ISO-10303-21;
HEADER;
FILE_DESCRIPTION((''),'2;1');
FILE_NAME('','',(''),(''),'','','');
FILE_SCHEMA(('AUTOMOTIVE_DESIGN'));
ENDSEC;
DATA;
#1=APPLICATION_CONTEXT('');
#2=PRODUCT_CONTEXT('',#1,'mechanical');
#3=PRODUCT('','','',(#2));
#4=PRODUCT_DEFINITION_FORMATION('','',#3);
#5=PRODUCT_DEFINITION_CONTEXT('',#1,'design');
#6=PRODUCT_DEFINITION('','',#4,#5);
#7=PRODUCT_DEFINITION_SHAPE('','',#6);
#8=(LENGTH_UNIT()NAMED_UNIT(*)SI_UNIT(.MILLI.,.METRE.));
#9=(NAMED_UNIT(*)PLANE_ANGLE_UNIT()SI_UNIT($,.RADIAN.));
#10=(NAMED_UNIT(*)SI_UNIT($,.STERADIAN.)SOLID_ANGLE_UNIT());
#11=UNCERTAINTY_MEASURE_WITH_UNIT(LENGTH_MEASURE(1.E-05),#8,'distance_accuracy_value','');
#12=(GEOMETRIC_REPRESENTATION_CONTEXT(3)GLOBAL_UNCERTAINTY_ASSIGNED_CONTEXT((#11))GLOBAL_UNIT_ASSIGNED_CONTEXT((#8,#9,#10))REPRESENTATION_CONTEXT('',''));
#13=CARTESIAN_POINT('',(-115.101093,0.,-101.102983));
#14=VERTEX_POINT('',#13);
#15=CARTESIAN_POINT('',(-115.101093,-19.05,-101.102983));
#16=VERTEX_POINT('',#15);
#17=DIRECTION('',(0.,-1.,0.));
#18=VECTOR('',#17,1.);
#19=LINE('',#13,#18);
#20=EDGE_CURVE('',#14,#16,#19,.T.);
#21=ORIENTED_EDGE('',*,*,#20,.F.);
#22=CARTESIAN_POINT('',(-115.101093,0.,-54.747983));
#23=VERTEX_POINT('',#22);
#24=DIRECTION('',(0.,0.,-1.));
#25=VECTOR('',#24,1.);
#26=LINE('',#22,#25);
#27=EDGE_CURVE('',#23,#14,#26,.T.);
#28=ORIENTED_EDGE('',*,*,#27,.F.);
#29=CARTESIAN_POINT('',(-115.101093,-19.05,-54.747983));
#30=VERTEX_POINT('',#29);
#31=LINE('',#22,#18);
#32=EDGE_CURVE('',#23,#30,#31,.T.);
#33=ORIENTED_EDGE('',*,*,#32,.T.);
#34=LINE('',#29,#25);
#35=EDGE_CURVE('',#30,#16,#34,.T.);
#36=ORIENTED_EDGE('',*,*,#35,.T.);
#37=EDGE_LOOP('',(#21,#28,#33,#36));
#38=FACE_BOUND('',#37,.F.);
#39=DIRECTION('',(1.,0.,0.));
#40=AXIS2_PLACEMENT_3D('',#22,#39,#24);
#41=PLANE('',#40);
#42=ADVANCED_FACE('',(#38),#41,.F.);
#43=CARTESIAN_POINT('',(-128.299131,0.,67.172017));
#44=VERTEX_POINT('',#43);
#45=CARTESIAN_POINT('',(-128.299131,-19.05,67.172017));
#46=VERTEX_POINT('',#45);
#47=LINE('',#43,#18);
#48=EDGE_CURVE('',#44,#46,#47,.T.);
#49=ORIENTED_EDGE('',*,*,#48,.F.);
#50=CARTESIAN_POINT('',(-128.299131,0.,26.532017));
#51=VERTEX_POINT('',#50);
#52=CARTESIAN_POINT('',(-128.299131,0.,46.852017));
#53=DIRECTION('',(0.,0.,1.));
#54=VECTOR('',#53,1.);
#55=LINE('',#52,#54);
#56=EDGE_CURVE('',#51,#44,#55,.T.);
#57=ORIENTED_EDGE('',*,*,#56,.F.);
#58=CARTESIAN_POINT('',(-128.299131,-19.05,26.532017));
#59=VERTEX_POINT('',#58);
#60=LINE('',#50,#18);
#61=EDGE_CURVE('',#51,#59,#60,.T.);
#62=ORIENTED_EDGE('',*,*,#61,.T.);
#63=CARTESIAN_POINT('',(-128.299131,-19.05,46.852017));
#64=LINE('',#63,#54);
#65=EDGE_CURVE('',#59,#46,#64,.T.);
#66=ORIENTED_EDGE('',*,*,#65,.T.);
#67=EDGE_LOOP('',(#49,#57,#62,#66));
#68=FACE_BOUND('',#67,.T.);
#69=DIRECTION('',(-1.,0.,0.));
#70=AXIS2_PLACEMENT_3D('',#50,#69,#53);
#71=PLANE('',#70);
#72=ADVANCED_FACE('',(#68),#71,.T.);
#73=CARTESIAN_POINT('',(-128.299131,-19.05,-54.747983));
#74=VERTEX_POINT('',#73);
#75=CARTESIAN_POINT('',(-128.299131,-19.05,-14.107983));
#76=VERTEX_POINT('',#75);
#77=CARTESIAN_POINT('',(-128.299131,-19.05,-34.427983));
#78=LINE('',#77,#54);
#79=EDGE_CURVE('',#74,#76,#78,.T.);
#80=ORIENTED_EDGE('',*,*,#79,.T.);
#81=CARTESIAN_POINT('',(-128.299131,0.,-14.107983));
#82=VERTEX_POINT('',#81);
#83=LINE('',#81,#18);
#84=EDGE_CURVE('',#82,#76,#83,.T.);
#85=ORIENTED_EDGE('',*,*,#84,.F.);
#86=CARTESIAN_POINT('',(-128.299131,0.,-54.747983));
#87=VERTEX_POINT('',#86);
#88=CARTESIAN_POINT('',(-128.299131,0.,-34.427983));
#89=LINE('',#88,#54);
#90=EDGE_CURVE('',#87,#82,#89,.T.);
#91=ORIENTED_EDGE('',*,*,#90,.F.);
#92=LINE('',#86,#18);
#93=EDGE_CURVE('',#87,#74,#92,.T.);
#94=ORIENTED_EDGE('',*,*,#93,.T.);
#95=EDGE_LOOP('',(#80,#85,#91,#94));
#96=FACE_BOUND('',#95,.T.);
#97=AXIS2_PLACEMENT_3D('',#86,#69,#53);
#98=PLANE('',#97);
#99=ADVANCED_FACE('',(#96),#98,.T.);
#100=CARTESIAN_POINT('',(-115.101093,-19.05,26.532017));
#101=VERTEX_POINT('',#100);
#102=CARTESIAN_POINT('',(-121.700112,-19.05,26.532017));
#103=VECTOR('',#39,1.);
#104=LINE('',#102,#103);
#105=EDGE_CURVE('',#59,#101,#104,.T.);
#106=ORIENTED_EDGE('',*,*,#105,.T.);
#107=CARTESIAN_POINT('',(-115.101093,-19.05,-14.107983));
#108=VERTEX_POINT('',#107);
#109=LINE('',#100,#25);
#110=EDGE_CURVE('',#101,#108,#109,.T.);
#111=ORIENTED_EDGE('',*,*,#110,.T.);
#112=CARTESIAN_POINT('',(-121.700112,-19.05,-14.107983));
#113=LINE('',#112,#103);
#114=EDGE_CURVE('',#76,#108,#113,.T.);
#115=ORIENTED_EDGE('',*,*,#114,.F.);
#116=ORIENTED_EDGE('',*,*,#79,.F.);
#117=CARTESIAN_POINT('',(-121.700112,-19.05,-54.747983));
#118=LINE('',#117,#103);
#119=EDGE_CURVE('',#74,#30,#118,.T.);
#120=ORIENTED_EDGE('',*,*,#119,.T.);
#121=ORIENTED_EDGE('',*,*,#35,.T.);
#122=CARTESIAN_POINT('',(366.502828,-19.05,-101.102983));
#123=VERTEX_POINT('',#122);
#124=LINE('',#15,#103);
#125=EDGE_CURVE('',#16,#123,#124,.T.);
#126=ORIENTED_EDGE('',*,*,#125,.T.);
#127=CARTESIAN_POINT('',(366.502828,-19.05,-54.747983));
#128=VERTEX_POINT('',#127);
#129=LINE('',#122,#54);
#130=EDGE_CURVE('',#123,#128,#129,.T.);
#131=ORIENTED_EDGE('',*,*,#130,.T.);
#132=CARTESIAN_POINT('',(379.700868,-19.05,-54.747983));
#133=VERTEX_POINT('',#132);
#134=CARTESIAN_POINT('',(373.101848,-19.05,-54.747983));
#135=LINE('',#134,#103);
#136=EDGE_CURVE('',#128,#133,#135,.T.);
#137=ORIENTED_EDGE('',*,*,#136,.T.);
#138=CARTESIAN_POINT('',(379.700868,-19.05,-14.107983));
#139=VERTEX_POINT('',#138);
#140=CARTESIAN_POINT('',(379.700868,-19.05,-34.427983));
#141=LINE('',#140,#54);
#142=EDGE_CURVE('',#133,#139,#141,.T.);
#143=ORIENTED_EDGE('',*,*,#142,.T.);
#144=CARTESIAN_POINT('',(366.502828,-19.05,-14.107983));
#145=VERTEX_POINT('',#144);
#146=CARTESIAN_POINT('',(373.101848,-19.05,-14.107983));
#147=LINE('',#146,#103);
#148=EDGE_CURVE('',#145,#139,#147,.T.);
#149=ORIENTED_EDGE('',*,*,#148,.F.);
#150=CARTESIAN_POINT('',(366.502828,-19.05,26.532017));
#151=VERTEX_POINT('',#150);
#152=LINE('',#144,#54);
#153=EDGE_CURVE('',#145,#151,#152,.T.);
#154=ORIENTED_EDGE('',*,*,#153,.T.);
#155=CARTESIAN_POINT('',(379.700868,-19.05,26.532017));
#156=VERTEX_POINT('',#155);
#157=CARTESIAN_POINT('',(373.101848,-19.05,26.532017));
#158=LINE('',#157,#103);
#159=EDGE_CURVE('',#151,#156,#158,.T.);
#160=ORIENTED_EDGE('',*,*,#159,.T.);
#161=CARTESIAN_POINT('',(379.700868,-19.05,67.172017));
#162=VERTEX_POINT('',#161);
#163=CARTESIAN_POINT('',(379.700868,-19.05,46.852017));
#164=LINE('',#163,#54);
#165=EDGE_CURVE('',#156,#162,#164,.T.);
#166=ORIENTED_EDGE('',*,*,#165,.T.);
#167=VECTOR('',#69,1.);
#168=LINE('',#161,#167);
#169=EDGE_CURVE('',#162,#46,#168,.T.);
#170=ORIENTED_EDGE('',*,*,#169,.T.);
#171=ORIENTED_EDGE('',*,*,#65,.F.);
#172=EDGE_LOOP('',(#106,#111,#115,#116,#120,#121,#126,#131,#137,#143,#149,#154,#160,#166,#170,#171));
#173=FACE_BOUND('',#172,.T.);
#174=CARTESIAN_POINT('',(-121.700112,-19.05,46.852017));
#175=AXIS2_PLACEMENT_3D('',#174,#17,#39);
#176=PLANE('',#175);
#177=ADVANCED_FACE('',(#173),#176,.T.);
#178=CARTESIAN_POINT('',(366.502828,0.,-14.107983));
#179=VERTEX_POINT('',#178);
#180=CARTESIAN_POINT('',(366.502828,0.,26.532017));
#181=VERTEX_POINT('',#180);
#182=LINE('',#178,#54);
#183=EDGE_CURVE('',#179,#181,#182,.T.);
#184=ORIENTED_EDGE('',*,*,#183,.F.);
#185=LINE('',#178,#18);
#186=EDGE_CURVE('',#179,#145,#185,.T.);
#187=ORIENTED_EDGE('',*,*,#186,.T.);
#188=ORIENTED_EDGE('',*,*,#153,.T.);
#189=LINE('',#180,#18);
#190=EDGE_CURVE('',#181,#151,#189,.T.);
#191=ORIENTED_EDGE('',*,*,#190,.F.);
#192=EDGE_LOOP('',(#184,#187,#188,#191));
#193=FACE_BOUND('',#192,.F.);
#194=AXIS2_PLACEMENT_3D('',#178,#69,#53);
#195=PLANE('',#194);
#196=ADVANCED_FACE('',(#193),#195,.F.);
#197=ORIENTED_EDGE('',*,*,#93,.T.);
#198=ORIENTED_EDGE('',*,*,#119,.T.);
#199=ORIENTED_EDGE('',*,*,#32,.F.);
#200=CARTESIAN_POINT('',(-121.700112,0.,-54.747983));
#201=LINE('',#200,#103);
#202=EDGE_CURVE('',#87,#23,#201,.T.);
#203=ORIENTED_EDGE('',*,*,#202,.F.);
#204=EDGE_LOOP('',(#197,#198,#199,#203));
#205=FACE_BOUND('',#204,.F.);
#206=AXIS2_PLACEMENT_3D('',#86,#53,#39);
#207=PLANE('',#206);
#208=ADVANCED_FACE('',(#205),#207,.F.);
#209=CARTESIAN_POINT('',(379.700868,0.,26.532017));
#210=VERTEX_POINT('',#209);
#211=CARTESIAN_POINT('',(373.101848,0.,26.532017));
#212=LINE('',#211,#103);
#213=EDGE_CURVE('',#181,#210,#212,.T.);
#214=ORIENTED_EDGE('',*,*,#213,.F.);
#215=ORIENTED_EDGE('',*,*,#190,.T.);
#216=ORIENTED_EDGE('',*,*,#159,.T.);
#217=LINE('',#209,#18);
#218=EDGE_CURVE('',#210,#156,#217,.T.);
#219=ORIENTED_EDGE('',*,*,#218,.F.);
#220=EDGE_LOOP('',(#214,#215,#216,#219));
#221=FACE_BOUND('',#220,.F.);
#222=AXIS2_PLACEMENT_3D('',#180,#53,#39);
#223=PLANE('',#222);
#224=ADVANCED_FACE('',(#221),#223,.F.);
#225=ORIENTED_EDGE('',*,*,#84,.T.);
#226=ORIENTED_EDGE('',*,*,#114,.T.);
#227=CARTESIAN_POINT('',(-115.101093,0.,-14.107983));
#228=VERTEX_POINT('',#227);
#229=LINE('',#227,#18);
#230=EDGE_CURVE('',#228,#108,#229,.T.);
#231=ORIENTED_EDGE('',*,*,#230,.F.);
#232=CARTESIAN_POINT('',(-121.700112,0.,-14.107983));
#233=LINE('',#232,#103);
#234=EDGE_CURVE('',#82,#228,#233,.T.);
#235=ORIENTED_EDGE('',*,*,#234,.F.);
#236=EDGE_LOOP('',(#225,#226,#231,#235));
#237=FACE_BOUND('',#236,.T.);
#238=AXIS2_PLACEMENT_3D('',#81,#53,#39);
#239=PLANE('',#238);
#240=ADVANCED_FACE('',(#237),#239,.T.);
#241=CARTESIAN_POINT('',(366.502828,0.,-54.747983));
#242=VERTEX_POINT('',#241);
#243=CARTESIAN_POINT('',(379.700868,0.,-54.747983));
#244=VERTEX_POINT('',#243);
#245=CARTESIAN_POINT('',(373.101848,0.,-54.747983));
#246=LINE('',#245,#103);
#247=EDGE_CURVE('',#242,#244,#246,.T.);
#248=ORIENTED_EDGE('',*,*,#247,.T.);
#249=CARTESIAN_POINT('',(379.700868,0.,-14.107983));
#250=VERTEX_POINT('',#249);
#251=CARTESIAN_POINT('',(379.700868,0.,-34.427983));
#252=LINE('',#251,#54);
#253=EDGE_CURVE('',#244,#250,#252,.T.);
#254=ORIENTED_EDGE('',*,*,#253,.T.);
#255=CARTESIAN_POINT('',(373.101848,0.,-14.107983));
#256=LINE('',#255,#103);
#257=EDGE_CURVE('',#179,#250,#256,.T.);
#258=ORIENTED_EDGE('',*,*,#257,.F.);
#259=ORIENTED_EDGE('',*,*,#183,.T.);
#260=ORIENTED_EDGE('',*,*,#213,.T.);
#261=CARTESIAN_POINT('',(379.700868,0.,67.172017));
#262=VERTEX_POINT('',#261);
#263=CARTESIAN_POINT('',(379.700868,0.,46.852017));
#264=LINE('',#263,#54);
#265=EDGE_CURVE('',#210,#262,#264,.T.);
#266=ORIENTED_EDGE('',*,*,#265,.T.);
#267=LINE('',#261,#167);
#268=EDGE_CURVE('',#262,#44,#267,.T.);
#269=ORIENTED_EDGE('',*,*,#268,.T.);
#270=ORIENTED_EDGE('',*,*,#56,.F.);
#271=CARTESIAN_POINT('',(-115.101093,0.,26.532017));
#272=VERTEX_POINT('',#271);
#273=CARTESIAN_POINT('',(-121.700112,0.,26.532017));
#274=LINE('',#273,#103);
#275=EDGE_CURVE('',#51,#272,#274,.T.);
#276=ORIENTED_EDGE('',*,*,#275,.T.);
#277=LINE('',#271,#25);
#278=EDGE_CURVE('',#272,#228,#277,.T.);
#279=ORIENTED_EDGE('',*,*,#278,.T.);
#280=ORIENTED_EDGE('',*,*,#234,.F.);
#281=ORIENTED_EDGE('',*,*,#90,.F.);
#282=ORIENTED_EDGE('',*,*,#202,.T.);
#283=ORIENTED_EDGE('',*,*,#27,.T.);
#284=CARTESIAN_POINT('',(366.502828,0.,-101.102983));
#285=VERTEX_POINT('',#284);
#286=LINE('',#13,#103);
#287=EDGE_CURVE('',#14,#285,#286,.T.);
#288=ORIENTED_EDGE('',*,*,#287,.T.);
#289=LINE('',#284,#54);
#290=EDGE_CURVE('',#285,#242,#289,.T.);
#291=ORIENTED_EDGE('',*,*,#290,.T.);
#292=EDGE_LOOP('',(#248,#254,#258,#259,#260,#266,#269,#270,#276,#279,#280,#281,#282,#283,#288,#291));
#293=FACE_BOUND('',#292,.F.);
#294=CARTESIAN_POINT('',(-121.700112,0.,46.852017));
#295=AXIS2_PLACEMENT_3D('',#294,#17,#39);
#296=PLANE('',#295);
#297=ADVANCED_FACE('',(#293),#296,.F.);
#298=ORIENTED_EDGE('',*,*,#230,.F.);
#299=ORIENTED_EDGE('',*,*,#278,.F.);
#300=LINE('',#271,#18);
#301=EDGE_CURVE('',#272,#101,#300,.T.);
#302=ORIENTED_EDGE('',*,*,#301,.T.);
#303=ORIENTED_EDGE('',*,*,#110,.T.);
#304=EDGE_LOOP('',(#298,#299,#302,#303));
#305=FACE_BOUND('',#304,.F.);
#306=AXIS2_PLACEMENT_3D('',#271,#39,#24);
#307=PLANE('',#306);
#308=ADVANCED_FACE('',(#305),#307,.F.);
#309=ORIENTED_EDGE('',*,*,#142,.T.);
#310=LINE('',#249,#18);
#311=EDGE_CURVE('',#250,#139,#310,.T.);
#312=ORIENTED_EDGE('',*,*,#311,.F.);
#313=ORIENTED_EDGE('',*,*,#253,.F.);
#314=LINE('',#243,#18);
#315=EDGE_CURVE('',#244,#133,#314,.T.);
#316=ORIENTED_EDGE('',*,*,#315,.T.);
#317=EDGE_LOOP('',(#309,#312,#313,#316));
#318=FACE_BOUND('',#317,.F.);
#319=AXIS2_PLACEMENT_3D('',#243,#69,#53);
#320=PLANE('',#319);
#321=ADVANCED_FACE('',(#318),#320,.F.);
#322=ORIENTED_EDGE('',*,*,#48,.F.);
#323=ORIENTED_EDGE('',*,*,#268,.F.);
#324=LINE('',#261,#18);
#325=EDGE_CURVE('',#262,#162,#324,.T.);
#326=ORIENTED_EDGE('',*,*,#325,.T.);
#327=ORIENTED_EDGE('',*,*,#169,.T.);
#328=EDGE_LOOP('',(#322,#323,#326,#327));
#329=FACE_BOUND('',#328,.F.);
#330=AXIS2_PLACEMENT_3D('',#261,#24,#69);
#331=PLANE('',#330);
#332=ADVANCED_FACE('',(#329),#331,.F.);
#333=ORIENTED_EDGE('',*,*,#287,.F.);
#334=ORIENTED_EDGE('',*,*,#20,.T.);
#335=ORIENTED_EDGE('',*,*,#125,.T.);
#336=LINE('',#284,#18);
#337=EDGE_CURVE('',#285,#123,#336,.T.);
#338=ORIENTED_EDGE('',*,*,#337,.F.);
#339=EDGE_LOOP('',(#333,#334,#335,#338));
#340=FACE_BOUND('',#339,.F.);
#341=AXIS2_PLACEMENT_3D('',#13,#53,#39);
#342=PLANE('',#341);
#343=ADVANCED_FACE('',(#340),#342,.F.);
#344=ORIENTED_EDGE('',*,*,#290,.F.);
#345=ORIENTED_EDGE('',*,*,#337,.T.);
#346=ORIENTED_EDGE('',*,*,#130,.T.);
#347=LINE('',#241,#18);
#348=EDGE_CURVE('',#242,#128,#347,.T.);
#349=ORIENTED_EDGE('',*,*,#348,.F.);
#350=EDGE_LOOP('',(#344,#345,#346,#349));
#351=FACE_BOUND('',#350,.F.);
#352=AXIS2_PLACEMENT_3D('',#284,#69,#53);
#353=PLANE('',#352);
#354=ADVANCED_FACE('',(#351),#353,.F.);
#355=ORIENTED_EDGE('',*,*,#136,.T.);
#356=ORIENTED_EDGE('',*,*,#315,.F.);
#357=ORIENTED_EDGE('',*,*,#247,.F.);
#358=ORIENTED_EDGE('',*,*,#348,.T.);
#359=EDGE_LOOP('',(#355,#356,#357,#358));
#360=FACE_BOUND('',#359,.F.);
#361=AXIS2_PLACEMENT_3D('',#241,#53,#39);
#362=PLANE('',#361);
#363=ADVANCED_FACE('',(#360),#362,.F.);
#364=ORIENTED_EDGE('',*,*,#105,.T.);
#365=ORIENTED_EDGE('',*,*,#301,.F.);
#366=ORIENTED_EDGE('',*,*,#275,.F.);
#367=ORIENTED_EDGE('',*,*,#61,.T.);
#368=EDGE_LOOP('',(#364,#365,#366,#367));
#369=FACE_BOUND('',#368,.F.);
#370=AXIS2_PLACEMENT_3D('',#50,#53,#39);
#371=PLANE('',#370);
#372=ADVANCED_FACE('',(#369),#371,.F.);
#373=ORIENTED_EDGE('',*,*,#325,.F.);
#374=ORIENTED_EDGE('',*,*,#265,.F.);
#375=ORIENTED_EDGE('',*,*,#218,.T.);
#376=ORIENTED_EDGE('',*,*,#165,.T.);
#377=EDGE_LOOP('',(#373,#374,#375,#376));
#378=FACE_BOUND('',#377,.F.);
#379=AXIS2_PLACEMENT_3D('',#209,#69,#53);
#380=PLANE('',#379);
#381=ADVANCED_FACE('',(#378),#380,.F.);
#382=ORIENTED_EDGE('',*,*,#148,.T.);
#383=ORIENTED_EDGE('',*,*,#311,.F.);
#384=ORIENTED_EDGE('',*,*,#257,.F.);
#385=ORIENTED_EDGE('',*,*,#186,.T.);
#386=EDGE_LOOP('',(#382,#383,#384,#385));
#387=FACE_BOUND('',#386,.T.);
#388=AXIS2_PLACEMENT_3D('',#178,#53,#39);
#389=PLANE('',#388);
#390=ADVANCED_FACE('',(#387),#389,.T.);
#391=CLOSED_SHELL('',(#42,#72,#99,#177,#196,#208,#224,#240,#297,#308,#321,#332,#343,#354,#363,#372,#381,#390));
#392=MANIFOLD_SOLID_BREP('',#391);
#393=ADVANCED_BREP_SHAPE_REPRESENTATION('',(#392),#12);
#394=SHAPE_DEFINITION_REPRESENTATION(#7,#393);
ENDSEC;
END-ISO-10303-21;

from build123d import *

# Parameters (mm, degrees)
F0_W     = 13.198039
F0_H     = 40.64
F0_W_2   = 13.19804
F1_DEPTH = 19.05


with BuildPart() as f1:
    # F0 (on Front) → F1 (new body)
    with BuildSketch(Plane.XZ):
        with Locations((-121.700112, 46.852017)):
            Rectangle(F0_W, F0_H)
        with Locations((373.101848, 46.852017)):
            Rectangle(F0_W_2, F0_H)
        with Locations((-121.700112, -34.427983)):
            Rectangle(F0_W, F0_H)
        with Locations((373.101848, -34.427983)):
            Rectangle(F0_W_2, F0_H)
        Polygon((366.502828, 67.172017), (-115.101093, 67.172017), (-115.101093, 26.532017), (-115.101093, -14.107983), (-115.101093, -54.747983), (-115.101093, -101.102983), (366.502828, -101.102983), (366.502828, -54.747983), (366.502828, -14.107983), (366.502828, 26.532017), align=None)
    extrude(amount=F1_DEPTH)


solid = f1.part
